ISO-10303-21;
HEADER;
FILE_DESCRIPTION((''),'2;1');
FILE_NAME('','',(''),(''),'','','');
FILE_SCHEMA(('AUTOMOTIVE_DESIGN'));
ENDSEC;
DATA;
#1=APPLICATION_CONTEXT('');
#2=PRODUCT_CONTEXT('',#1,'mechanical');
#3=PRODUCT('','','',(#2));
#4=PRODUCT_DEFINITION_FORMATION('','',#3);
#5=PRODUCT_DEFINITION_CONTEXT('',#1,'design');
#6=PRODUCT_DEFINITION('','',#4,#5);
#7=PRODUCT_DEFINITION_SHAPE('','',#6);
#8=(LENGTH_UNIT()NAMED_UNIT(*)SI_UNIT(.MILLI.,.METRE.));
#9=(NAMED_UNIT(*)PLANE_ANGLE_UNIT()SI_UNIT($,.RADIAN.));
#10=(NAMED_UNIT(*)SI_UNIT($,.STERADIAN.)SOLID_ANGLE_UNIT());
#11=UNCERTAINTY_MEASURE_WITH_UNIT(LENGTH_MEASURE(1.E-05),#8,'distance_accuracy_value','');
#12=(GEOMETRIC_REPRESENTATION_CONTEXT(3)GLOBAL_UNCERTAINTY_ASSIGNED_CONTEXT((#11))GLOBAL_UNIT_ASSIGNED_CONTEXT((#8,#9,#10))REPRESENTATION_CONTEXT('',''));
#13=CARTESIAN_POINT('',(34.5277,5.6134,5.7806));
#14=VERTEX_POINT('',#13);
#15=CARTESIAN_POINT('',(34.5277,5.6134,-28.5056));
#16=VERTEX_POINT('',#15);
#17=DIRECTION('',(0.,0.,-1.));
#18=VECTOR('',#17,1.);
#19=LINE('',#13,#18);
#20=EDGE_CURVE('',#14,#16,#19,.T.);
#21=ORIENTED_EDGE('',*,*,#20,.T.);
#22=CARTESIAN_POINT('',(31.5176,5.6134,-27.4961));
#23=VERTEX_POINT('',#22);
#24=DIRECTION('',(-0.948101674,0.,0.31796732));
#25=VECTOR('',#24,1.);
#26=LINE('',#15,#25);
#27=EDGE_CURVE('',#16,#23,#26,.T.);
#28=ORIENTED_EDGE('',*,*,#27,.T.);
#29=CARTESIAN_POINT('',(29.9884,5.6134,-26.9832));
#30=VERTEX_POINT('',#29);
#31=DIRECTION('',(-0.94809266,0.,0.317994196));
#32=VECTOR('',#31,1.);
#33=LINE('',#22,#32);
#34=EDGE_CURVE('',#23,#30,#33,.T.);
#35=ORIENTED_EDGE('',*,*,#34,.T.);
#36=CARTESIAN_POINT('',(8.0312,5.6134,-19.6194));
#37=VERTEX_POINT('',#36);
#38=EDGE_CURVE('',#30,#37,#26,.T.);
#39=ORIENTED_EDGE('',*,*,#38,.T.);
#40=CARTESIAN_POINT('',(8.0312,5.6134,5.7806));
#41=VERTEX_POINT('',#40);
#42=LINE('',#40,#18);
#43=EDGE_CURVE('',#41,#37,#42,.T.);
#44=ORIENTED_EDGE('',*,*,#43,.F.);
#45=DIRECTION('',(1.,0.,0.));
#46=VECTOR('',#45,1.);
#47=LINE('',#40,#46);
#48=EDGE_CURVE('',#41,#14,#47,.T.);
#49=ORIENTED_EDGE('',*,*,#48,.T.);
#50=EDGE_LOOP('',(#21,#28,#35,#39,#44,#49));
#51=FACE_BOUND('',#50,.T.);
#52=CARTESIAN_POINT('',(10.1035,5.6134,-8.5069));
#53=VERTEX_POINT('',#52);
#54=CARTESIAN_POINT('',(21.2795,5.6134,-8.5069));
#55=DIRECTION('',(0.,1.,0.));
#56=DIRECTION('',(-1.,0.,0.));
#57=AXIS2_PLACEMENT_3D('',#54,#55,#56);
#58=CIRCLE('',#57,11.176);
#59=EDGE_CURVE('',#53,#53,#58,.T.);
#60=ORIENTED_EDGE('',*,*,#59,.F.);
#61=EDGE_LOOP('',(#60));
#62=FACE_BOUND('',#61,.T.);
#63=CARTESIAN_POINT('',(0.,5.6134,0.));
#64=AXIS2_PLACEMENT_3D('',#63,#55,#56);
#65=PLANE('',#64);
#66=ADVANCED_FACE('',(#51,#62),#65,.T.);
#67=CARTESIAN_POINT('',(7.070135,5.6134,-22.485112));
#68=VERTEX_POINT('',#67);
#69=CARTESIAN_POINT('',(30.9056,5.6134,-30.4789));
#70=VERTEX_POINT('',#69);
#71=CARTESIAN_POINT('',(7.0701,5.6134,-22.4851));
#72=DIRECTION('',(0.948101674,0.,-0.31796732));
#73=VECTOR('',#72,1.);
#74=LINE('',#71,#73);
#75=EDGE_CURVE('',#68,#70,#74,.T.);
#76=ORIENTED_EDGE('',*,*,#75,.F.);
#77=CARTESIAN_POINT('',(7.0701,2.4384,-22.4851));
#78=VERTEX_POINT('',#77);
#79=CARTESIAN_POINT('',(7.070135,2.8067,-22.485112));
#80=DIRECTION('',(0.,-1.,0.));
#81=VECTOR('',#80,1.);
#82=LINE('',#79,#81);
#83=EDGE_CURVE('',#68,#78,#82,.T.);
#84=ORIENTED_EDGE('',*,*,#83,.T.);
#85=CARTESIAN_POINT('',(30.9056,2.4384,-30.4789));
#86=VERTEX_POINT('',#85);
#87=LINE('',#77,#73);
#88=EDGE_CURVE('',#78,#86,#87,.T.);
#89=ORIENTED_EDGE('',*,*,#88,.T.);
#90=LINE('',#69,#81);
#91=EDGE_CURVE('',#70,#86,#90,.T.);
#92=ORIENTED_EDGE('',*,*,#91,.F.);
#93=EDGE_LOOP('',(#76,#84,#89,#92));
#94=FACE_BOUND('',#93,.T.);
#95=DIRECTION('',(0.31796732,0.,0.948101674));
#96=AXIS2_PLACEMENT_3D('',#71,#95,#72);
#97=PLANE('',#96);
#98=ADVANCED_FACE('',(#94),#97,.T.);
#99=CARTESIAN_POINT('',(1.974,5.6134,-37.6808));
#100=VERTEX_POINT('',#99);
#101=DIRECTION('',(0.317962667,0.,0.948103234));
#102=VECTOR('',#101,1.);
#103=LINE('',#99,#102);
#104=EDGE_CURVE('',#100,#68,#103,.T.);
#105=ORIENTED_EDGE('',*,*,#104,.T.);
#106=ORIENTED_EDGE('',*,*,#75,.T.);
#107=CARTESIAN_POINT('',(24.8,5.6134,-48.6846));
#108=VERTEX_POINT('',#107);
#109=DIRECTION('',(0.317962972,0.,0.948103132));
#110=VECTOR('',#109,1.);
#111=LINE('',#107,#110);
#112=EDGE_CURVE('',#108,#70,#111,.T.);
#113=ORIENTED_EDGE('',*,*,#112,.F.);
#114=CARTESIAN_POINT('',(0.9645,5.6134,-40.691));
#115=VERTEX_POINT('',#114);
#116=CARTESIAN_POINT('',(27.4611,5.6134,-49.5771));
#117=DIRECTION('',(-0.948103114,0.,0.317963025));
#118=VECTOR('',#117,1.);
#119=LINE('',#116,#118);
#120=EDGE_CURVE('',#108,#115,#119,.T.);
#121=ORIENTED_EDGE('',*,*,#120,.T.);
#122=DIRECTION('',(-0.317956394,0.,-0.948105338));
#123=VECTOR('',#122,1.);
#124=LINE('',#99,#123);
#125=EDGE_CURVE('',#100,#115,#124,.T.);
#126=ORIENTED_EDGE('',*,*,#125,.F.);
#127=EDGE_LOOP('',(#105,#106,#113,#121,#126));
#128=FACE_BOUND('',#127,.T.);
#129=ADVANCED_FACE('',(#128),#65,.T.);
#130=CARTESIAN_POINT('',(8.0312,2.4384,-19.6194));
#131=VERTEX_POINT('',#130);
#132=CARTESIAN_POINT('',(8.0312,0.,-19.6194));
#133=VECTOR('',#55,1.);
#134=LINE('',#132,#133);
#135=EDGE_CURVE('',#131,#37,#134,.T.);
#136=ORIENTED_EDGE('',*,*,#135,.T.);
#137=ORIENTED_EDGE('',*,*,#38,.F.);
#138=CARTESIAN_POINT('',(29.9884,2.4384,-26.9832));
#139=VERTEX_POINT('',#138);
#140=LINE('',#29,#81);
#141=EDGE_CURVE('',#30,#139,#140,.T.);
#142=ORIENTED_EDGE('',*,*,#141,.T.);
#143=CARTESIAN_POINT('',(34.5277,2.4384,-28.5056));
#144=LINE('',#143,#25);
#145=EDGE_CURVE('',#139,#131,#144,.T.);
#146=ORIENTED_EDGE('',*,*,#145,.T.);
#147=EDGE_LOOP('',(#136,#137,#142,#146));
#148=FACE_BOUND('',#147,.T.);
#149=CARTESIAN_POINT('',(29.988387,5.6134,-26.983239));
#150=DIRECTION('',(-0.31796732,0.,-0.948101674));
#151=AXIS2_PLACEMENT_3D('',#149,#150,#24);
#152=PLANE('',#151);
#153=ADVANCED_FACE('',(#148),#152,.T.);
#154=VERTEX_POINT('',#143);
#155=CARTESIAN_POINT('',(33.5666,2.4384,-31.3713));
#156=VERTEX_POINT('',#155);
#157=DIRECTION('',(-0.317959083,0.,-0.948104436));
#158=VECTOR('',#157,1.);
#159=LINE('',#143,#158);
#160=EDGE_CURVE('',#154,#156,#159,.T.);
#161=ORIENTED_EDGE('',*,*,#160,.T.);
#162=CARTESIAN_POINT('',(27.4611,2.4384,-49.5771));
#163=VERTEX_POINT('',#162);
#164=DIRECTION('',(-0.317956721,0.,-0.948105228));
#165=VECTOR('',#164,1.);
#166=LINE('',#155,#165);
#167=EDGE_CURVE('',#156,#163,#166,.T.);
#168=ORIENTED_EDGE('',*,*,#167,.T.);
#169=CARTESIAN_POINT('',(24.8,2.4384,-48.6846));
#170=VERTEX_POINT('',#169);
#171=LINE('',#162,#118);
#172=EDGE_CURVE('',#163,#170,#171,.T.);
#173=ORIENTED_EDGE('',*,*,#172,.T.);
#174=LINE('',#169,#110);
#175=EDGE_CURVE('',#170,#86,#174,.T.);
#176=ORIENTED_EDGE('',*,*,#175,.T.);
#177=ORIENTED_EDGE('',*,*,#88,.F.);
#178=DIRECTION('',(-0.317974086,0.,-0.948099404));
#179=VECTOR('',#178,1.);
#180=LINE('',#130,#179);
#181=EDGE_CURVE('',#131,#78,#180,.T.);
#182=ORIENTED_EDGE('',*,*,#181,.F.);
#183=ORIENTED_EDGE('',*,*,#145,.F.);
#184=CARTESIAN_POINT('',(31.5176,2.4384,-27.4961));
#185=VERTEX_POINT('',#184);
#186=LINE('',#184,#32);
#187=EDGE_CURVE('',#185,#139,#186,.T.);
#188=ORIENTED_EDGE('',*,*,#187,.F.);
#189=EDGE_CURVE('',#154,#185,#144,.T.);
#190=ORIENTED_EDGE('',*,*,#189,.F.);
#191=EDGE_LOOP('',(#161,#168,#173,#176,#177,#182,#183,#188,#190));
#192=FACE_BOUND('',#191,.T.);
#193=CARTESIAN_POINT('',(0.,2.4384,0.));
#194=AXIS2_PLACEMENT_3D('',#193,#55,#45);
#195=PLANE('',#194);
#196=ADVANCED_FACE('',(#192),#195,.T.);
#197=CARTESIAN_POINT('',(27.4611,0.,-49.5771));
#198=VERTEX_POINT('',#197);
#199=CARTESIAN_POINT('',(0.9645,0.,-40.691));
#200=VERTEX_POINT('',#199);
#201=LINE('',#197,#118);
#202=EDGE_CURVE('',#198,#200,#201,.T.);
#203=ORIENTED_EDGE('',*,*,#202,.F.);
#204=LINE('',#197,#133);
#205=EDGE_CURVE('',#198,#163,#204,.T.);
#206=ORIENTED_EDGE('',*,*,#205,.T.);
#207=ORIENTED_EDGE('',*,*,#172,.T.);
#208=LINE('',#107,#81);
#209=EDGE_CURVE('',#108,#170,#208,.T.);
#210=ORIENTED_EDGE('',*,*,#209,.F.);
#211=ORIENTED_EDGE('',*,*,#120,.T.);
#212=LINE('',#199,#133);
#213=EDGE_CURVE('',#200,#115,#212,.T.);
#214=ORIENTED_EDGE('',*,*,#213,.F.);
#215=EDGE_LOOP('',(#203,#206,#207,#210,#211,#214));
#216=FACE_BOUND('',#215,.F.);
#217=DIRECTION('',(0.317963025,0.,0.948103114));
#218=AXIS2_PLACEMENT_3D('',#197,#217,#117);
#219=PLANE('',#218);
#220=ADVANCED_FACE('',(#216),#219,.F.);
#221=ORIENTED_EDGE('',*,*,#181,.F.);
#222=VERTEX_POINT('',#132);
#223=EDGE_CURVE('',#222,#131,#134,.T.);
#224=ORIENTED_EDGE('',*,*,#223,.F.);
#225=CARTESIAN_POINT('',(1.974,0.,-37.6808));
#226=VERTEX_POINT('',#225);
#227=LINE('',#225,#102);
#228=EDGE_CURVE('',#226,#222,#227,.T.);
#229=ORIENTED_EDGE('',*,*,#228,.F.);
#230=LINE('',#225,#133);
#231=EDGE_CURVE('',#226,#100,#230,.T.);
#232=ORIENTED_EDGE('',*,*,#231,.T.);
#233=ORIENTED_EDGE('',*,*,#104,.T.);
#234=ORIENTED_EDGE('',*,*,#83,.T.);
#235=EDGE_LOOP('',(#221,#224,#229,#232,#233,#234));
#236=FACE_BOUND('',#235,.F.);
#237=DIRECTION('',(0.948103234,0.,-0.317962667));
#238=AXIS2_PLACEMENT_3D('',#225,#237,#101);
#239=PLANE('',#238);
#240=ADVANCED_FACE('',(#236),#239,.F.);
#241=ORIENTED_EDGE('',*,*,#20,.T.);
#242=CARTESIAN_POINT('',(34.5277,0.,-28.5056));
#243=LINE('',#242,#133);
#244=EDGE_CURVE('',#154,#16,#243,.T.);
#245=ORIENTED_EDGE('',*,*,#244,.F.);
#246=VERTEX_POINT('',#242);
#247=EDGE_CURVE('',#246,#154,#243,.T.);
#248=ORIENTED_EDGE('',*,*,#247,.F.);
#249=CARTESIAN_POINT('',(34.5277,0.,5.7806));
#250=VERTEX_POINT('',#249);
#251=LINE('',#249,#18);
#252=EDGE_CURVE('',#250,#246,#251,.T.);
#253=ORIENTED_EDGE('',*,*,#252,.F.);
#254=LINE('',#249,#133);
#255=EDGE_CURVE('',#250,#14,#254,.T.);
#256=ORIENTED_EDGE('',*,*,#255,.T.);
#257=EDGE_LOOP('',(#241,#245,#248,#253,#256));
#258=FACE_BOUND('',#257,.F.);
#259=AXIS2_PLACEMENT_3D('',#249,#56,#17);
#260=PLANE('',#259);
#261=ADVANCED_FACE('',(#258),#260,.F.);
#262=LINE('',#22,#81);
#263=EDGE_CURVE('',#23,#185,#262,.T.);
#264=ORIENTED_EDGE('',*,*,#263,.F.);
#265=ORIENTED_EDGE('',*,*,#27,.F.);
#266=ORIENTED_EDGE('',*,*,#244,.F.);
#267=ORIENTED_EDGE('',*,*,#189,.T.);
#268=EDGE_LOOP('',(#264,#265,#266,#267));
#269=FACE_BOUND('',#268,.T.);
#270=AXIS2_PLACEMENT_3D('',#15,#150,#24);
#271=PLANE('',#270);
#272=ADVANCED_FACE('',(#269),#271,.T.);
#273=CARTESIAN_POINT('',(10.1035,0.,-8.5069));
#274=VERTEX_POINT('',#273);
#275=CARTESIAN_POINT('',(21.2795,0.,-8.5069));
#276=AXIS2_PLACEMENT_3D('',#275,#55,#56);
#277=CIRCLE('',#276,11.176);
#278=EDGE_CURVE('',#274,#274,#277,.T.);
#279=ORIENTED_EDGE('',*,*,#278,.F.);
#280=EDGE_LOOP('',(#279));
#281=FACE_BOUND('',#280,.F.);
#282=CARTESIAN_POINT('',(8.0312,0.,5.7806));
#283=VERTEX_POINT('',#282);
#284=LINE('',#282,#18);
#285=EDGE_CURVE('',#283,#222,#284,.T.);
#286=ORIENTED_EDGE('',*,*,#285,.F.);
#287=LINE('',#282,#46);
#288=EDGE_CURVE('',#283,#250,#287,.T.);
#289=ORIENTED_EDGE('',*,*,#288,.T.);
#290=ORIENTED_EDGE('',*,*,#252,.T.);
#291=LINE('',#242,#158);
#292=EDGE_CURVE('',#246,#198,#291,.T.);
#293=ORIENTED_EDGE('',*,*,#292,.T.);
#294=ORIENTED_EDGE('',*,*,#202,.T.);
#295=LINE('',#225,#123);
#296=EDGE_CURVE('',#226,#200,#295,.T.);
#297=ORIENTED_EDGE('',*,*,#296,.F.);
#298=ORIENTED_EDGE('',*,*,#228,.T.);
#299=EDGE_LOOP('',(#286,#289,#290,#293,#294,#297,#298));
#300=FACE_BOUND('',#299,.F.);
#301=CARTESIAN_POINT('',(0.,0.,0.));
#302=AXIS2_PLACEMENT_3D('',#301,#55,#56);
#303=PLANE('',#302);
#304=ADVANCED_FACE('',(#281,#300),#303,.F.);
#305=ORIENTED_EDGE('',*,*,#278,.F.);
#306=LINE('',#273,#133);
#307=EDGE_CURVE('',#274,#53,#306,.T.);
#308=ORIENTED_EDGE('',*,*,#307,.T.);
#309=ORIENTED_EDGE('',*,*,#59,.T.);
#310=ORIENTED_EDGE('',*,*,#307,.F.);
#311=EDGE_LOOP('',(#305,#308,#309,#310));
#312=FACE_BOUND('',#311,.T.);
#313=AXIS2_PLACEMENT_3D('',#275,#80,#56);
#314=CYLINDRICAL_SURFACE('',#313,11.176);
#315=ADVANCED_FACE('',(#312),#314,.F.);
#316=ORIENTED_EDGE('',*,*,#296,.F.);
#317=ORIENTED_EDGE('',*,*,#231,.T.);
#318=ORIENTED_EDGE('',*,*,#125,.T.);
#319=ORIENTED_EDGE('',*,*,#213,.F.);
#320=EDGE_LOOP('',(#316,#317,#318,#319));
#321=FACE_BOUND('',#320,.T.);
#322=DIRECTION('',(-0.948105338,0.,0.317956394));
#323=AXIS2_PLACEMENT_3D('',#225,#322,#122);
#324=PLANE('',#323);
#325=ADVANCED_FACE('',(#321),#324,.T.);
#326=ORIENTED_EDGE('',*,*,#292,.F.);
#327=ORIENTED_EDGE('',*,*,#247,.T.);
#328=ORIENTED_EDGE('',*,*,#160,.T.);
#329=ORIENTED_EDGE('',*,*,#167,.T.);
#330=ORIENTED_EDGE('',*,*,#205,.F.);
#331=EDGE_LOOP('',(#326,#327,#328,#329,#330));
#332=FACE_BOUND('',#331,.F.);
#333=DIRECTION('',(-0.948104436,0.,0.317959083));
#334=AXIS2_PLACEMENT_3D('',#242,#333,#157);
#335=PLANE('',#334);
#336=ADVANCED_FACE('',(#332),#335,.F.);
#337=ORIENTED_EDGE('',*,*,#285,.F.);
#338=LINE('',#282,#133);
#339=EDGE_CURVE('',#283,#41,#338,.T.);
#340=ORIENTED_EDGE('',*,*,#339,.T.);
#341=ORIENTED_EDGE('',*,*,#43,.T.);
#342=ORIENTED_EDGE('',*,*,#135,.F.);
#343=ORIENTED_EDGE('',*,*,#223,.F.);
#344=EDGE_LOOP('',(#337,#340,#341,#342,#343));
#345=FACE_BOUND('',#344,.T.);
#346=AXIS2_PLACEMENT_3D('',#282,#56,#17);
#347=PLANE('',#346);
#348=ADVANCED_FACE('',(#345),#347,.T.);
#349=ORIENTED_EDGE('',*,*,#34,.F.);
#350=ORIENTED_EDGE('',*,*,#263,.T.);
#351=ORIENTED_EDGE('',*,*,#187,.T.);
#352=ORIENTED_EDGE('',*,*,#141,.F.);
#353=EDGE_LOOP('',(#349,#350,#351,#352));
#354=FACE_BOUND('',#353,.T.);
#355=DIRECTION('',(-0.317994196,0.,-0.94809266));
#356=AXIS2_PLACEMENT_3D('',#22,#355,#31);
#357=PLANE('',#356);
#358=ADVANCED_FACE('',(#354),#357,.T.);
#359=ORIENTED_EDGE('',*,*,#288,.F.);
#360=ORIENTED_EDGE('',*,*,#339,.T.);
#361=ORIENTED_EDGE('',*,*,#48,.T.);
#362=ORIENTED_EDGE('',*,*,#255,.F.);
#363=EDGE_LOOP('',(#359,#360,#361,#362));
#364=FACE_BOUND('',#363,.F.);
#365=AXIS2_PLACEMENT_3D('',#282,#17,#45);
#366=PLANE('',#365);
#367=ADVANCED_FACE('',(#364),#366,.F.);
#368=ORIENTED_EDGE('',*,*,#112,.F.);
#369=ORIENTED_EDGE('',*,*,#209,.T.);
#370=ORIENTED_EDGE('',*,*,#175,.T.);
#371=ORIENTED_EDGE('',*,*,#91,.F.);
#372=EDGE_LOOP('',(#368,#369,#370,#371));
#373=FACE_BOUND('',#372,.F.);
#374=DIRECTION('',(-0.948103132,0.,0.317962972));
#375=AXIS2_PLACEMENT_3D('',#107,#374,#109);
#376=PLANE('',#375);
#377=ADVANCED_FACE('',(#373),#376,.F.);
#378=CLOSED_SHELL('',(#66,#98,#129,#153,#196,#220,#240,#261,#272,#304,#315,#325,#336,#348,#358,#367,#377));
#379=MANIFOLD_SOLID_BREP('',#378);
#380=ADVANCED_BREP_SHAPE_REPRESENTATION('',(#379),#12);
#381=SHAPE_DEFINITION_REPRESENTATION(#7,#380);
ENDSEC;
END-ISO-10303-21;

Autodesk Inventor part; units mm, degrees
ref_plane "YZ Plane" through (0, 0, 0) normal (1, 0, 0) x (0, 1, 0)
ref_plane "XZ Plane" through (0, 0, 0) normal (0, 1, 0) x (-1, 0, 0)
ref_plane "XY Plane" through (0, 0, 0) normal (0, 0, 1) x (1, 0, 0)
sketch "Sketch1" plane through (0, 0, 0) normal (0, 1, 0) x (-1, 0, 0)
  line L0 (-8.0312, 5.7806) -> (-34.5277, 5.7806)
  line L1 (-34.5277, 5.7806) -> (-34.5277, -28.5056)
  line L2 (18.6455, 5.0782) -> (18.6456, 5.0782)
  line L3 (-1.974, -37.6808) -> (-8.0312, -19.6194)
  line L4 (-34.5277, -28.5056) -> (-27.4611, -49.5771)
  line L5 (-1.974, -37.6808) -> (-0.9645, -40.691)
  line L6 (-27.4611, -49.5771) -> (-0.9645, -40.691)
  circle A0 centre (-21.2795, -8.5069) radius 11.176
  line L7 (-8.0312, 5.7806) -> (-8.0312, -19.6194)
  line L8 (-8.0312, -19.6194) -> (-0.9645, -40.691)
  line L9 (-0.9645, -40.691) -> (-27.4611, -49.5771)
  line L10 (-27.4611, -49.5771) -> (-34.5277, -28.5056)
  line L11 (-34.5277, -28.5056) -> (-34.5277, 5.7806)
  line L12 (-34.5277, 5.7806) -> (-8.0312, 5.7806)
  point P0 (0, 0)
  dimension "d1" = 22.225
  dimension "d2" = 27.9469
  dimension "d3" = 26.4965
  dimension "d4" = 22.352
  dimension "d20" = 14.2875
  dimension "d23" = 25.4
extrude "Extrusion1" add sketch "Sketch1" along normal blind 5.6134
sketch "Sketch2" plane through (0, 5.6134, 0) normal (0, 1, 0) x (1, 0, 0)
  line L0 (34.5277, 28.5056) -> (8.0312, 19.6194)
  line L1 (8.0312, 19.6194) -> (7.0701, 22.4851)
  line L2 (7.0701, 22.4851) -> (33.5666, 31.3713)
  line L3 (31.5176, 27.4961) -> (29.9884, 26.9832)
  line L4 (34.5277, 28.5056) -> (27.4611, 49.5771) projected
  point P0 (0, 0)
  point P1 (0, 0)
  dimension "d11" = 3.0226
extrude "Extrusion2" cut sketch "Sketch2" against normal blind 3.175
sketch "Sketch3" plane through (0, 5.6134, 0) normal (0, 1, 0) x (1, 0, 0)
  line L0 (7.0701, 22.4852) -> (33.5666, 31.3713) projected
  line L1 (33.5666, 31.3713) -> (27.4611, 49.5771) projected
  line L2 (27.4611, 49.5771) -> (0.9645, 40.691) projected
  line L3 (24.8, 48.6846) -> (30.9056, 30.4789)
  point P0 (0, 0)
  dimension "d17" = 2.8067
extrude "Extrusion3" cut sketch "Sketch3" against normal blind 3.175
properties part number "Lidar Sensor Case Piece 2"
